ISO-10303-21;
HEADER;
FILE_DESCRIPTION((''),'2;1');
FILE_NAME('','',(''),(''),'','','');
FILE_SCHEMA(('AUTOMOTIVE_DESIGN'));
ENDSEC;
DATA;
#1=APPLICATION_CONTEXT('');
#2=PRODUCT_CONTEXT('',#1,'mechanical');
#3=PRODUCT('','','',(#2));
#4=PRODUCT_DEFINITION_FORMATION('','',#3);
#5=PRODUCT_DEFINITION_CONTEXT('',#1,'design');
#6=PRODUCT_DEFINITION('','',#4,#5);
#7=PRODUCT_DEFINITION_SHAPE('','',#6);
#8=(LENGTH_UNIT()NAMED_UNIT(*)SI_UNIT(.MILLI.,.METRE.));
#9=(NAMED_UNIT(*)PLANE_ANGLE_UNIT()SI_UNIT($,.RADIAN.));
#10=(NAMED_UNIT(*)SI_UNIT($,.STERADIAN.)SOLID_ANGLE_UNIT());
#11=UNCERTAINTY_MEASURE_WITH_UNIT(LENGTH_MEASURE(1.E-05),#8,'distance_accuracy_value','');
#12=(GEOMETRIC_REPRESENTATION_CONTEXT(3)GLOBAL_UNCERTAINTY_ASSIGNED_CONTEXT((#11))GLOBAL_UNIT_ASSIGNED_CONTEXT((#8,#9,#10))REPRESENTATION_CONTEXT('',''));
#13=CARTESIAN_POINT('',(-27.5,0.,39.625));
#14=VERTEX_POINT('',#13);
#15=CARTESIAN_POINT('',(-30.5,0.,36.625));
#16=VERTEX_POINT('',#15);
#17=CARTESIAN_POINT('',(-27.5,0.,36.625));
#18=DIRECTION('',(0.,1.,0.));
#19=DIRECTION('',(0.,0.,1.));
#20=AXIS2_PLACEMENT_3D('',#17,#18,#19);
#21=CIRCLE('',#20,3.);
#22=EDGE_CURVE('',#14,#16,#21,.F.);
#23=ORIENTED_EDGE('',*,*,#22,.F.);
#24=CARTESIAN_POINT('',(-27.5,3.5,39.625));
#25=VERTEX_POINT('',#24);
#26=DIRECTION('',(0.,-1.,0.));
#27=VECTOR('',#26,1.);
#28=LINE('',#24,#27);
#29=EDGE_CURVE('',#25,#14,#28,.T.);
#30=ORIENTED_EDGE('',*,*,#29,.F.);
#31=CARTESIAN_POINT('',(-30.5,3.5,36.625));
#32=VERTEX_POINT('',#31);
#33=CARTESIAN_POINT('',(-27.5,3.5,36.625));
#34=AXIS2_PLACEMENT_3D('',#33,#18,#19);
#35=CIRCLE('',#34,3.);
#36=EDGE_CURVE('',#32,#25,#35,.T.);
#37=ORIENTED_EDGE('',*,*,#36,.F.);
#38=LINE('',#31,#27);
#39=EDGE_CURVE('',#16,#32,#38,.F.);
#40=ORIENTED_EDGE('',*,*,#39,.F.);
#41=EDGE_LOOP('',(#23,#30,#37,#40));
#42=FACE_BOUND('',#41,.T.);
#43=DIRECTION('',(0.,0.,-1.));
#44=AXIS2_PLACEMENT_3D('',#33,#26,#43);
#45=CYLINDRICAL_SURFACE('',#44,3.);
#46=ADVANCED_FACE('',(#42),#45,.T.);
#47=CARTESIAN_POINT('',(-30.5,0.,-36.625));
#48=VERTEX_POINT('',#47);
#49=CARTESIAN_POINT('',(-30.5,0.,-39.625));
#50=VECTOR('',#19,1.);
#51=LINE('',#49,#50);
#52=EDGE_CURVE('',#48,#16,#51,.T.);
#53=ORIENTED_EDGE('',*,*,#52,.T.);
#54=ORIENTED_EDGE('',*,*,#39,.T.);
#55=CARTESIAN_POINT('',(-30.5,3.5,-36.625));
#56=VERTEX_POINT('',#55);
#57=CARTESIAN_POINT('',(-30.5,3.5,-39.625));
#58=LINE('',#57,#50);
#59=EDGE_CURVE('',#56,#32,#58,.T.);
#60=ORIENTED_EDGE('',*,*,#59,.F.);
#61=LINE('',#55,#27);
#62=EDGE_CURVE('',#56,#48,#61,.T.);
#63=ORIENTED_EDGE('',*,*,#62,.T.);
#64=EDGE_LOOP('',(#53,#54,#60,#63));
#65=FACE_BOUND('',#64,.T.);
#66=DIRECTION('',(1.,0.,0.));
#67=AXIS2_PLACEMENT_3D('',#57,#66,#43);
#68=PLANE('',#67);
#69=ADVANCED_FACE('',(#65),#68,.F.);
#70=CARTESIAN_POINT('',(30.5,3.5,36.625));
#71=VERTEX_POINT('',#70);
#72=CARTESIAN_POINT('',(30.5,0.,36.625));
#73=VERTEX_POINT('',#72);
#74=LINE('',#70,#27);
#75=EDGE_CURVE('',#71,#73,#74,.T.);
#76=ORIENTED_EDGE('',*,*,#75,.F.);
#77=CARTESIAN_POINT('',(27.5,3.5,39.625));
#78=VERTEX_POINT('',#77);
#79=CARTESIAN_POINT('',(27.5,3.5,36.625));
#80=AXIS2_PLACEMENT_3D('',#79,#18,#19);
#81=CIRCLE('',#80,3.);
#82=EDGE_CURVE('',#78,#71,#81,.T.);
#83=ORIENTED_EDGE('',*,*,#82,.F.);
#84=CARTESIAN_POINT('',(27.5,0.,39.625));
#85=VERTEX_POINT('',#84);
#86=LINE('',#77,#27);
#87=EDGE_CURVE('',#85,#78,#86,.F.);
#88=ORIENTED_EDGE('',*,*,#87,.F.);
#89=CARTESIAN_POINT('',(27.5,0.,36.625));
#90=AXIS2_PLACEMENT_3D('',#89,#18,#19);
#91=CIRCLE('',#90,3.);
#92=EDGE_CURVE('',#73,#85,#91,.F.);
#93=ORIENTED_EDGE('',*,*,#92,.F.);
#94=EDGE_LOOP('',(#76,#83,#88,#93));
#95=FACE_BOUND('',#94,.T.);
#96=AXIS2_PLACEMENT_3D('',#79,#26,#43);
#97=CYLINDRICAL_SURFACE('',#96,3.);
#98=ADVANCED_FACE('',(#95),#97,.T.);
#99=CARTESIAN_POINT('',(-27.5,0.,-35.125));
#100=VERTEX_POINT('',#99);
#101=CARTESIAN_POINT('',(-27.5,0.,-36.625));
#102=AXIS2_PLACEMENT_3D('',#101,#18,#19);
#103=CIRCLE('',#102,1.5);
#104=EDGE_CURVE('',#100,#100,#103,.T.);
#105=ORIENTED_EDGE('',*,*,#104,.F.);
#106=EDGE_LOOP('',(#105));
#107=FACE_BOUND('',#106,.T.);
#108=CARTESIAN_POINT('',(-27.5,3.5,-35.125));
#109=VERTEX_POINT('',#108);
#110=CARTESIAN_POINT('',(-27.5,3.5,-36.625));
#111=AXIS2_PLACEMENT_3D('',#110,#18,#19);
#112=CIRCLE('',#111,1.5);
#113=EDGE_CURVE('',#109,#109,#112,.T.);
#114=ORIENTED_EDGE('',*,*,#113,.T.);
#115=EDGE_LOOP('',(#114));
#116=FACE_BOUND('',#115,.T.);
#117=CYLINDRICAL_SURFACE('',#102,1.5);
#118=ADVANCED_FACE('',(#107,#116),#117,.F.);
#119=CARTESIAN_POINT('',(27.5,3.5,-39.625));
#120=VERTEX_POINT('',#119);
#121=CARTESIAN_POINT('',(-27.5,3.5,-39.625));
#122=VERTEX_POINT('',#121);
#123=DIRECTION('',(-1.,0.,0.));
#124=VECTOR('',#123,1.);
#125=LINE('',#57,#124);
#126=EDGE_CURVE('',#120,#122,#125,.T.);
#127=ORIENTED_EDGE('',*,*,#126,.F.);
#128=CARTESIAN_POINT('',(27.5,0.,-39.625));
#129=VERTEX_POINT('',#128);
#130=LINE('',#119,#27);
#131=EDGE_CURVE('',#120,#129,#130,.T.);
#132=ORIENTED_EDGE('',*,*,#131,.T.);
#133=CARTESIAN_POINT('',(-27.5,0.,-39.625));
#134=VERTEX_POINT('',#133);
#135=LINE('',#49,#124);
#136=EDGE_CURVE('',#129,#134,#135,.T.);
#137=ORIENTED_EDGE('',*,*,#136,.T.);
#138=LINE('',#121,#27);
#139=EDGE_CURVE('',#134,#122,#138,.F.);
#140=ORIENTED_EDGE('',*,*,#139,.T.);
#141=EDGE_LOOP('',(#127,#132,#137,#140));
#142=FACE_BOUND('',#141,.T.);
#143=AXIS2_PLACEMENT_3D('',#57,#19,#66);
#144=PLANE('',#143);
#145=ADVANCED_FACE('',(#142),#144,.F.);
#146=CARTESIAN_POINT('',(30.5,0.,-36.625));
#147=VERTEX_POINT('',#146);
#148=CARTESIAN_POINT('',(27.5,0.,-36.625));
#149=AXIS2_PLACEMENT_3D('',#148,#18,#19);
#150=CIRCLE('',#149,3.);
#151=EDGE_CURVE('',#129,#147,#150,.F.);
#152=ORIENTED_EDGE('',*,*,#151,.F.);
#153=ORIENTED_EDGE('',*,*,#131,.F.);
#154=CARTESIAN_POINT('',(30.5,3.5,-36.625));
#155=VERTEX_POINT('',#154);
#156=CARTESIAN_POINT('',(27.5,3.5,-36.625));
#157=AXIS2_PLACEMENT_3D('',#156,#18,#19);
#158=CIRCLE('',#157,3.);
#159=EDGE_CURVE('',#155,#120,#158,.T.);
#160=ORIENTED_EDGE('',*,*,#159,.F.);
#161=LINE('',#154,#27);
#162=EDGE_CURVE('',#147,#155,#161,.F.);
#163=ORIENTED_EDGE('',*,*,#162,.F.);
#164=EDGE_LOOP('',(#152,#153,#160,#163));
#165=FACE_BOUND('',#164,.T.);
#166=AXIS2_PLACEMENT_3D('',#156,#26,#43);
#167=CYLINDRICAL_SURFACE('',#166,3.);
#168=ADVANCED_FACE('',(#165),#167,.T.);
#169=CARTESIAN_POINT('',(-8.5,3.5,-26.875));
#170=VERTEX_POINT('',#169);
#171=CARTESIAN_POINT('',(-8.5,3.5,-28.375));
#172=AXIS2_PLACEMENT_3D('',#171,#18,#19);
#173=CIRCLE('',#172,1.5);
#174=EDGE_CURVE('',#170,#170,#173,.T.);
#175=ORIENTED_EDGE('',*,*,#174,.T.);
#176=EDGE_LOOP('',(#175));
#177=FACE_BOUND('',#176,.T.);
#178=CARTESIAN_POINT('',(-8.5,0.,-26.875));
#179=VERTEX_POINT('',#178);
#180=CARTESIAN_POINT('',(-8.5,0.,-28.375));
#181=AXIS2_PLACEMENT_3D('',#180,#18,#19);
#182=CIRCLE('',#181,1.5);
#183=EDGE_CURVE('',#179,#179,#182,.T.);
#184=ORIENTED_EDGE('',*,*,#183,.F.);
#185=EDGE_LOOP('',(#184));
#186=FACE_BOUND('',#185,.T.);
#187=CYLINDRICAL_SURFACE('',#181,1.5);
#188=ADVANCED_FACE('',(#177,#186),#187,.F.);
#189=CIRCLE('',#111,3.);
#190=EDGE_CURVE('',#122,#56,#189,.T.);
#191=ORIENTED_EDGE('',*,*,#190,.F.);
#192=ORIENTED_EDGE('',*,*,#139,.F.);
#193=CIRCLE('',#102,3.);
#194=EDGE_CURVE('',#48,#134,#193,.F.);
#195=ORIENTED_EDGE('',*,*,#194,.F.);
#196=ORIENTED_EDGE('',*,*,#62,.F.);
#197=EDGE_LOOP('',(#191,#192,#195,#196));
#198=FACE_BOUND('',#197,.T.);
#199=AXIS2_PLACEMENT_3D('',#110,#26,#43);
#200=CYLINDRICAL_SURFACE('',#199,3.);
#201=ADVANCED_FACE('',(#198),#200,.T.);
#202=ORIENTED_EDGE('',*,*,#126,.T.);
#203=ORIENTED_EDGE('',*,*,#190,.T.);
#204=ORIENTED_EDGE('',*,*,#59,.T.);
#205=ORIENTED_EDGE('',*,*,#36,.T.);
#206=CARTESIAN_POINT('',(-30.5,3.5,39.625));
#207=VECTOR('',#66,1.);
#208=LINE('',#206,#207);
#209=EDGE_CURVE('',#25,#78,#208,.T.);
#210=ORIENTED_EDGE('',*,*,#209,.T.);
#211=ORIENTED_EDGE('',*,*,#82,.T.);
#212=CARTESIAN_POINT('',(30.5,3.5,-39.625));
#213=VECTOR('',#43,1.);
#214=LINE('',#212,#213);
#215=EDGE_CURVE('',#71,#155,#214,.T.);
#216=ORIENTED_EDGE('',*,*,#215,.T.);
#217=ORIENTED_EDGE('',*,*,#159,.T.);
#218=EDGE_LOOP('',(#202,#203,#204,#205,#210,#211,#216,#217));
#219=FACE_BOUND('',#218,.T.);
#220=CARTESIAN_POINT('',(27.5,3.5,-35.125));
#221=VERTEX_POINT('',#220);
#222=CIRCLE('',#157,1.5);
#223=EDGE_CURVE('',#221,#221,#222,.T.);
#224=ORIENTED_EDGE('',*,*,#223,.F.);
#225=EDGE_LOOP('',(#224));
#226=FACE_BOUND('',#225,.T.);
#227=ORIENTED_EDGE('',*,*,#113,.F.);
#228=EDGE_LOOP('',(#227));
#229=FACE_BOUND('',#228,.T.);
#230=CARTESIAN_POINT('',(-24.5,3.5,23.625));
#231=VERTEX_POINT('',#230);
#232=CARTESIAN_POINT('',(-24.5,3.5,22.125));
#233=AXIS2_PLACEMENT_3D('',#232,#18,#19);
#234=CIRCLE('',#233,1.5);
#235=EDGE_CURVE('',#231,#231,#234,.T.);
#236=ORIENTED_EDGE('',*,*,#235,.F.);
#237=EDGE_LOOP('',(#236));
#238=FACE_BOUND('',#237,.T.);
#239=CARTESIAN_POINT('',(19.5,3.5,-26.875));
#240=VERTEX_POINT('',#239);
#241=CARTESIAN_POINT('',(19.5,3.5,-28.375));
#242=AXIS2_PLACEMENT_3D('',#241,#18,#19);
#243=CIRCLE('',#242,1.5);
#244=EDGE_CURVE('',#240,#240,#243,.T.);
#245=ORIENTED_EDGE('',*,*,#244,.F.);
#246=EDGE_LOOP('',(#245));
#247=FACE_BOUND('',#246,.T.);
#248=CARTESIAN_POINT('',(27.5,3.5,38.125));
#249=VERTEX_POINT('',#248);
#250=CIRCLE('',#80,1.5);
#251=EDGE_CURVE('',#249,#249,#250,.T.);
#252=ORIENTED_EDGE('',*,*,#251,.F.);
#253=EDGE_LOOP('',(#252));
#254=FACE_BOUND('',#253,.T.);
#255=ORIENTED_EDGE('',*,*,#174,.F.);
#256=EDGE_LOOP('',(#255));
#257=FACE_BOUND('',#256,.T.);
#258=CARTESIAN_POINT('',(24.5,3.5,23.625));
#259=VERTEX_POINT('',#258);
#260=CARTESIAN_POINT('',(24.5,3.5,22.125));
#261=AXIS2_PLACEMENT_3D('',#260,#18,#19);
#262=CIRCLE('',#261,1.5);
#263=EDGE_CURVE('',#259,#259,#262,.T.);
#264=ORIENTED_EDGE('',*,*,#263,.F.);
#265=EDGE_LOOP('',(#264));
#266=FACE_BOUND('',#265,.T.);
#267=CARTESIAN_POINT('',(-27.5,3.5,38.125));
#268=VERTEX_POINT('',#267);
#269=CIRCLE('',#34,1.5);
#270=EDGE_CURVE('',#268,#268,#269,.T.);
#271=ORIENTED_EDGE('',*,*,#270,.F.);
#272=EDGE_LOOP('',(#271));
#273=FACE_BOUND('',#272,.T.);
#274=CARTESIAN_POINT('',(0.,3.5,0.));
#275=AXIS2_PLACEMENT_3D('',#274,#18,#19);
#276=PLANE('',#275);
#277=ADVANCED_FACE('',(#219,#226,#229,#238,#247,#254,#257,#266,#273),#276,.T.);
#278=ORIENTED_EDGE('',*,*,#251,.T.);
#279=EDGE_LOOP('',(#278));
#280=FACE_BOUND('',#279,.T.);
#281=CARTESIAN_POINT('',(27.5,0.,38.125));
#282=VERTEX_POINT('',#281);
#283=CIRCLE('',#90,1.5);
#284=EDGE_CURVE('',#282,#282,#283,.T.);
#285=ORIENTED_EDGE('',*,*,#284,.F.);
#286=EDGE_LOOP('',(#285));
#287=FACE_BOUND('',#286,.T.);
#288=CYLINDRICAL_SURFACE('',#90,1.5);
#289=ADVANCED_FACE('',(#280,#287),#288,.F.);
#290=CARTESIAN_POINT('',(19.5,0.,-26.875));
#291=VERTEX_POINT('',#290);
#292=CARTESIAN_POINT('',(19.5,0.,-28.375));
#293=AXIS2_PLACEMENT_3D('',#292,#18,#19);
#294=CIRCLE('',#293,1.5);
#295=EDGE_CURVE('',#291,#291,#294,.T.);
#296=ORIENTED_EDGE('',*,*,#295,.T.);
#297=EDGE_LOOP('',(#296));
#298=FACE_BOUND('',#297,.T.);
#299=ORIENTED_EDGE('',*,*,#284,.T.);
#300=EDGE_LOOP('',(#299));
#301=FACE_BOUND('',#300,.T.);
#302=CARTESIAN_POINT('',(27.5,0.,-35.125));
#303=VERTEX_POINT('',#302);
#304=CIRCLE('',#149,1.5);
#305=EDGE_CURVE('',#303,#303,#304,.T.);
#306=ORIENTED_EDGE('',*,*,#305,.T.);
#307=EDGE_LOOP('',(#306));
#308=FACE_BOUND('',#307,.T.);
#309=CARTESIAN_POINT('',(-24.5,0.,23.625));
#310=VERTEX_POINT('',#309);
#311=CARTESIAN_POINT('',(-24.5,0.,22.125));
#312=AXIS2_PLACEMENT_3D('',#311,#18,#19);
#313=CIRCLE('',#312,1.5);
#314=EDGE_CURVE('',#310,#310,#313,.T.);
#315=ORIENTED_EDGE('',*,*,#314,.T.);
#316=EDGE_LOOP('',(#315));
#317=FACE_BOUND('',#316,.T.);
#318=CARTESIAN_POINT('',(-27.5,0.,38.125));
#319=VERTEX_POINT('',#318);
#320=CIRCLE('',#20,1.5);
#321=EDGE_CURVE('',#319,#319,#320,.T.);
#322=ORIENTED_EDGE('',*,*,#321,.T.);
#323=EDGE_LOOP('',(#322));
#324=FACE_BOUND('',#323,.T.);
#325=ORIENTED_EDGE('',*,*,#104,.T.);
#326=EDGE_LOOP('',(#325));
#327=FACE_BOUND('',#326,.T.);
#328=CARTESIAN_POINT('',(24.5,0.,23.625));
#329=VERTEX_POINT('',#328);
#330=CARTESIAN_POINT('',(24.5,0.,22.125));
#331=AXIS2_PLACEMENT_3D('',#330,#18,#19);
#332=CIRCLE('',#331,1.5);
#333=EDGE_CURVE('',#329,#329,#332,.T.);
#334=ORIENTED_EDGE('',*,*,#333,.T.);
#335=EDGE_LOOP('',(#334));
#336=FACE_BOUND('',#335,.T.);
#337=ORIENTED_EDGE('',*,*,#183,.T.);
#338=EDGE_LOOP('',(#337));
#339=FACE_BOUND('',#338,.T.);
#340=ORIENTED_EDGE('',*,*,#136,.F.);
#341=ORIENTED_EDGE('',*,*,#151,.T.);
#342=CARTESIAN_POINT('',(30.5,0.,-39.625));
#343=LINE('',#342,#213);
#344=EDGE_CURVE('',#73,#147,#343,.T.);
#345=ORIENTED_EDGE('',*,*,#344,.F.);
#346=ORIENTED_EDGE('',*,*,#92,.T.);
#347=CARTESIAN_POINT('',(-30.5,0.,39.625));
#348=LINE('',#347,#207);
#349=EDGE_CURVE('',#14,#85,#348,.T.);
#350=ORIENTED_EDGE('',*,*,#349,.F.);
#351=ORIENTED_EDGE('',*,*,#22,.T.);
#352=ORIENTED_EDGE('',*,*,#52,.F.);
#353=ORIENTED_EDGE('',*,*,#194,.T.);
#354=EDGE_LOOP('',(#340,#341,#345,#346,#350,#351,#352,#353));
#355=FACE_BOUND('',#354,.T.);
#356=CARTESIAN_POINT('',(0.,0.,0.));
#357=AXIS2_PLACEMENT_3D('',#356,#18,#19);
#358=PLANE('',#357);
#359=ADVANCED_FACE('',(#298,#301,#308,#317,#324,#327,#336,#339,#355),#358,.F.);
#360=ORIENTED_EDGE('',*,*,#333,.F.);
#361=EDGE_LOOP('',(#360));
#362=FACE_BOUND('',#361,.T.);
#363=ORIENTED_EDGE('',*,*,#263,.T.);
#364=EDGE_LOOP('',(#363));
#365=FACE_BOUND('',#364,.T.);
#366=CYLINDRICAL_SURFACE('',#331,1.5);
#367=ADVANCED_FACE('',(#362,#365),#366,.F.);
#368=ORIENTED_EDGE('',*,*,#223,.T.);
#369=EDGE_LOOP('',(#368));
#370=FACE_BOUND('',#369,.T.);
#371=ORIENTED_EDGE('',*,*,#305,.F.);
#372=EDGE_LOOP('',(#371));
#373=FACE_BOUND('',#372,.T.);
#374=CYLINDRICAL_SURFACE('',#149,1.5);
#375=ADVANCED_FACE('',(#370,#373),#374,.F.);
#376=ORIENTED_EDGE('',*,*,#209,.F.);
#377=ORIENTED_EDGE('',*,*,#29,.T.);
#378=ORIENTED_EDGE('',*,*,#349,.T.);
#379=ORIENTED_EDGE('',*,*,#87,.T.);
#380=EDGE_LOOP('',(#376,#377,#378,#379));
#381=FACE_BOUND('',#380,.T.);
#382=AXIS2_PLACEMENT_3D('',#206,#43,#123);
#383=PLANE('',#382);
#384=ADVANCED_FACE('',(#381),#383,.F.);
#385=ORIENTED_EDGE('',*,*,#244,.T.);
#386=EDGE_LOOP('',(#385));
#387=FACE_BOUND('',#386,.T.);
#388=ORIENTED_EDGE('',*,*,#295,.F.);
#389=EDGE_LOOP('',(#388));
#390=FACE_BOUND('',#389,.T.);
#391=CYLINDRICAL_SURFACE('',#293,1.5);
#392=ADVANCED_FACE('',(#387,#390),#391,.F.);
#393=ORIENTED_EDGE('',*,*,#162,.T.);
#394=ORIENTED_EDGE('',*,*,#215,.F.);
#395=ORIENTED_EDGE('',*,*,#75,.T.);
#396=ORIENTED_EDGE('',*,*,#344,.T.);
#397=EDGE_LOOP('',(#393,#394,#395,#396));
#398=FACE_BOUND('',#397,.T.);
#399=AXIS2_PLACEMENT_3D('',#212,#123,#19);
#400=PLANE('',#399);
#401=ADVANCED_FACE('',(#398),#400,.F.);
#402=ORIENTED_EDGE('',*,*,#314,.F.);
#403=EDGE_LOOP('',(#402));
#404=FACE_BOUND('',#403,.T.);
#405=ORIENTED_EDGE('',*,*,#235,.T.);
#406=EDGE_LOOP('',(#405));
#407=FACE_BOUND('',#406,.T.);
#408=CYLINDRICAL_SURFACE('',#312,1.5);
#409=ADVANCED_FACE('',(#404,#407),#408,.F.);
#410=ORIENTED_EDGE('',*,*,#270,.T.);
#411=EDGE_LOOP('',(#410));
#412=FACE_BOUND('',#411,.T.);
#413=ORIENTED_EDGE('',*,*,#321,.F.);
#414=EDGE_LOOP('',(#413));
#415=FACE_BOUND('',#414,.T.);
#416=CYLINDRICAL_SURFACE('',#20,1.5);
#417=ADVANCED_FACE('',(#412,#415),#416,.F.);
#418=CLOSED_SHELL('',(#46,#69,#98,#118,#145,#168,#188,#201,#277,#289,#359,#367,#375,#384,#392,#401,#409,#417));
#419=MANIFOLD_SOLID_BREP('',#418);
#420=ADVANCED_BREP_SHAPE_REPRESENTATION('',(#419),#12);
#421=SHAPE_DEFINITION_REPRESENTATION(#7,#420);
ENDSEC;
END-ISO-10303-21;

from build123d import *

# Parameters (mm, degrees)
SKETCH1_W           = 61
SKETCH1_H           = 79.25
BOSS_EXTRUDE1_DEPTH = 3.5
SKETCH2_R           = 1.5
CUT_EXTRUDE1_DEPTH  = 3.5
FILLET1_R           = 3
SKETCH3_R           = 1.5
CUT_EXTRUDE2_DEPTH  = 3.5


with BuildPart() as part:
    # Sketch1 → Boss-Extrude1 (new body)
    with BuildSketch(Plane(origin=(0, 0, 0), x_dir=(1, 0, 0), z_dir=(0, 1, 0))):
        Rectangle(SKETCH1_W, SKETCH1_H)
    extrude(amount=BOSS_EXTRUDE1_DEPTH)

    # Sketch2 → Cut-Extrude1 (cut)
    with BuildSketch(Plane(origin=(0, 3.5, 0), x_dir=(1, 0, 0), z_dir=(0, 1, 0))):
        with Locations(Location((-27.5, 36.625, 0), (0, 0, 270))):
            Circle(SKETCH2_R)
        with Locations(Location((27.5, 36.625, 0), (0, 0, 270))):
            Circle(SKETCH2_R)
        with Locations(Location((-27.5, -36.625, 0), (0, 0, 270))):
            Circle(SKETCH2_R)
        with Locations(Location((27.5, -36.625, 0), (0, 0, 270))):
            Circle(SKETCH2_R)
    extrude(amount=-CUT_EXTRUDE1_DEPTH, mode=Mode.SUBTRACT)

    # Fillet1
    fillet1_edges = [part.edges().sort_by_distance(p)[0] for p in [
        (30.5, 1.75, 39.625),
        (-30.5, 1.75, 39.625),
        (-30.5, 1.75, -39.625),
        (30.5, 1.75, -39.625),
    ]]
    fillet(fillet1_edges, radius=FILLET1_R)

    # Sketch3 → Cut-Extrude2 (cut)
    with BuildSketch(Plane(origin=(0, 3.5, 0), x_dir=(1, 0, 0), z_dir=(0, 1, 0))):
        with Locations(Location((-24.5, -22.125, 0), (0, 0, 270))):
            Circle(SKETCH3_R)
        with Locations(Location((24.5, -22.125, 0), (0, 0, 270))):
            Circle(SKETCH3_R)
        with Locations(Location((19.5, 28.375, 0), (0, 0, 270))):
            Circle(SKETCH3_R)
        with Locations(Location((-8.5, 28.375, 0), (0, 0, 270))):
            Circle(SKETCH3_R)
    extrude(amount=-CUT_EXTRUDE2_DEPTH, mode=Mode.SUBTRACT)


solid = part.part
